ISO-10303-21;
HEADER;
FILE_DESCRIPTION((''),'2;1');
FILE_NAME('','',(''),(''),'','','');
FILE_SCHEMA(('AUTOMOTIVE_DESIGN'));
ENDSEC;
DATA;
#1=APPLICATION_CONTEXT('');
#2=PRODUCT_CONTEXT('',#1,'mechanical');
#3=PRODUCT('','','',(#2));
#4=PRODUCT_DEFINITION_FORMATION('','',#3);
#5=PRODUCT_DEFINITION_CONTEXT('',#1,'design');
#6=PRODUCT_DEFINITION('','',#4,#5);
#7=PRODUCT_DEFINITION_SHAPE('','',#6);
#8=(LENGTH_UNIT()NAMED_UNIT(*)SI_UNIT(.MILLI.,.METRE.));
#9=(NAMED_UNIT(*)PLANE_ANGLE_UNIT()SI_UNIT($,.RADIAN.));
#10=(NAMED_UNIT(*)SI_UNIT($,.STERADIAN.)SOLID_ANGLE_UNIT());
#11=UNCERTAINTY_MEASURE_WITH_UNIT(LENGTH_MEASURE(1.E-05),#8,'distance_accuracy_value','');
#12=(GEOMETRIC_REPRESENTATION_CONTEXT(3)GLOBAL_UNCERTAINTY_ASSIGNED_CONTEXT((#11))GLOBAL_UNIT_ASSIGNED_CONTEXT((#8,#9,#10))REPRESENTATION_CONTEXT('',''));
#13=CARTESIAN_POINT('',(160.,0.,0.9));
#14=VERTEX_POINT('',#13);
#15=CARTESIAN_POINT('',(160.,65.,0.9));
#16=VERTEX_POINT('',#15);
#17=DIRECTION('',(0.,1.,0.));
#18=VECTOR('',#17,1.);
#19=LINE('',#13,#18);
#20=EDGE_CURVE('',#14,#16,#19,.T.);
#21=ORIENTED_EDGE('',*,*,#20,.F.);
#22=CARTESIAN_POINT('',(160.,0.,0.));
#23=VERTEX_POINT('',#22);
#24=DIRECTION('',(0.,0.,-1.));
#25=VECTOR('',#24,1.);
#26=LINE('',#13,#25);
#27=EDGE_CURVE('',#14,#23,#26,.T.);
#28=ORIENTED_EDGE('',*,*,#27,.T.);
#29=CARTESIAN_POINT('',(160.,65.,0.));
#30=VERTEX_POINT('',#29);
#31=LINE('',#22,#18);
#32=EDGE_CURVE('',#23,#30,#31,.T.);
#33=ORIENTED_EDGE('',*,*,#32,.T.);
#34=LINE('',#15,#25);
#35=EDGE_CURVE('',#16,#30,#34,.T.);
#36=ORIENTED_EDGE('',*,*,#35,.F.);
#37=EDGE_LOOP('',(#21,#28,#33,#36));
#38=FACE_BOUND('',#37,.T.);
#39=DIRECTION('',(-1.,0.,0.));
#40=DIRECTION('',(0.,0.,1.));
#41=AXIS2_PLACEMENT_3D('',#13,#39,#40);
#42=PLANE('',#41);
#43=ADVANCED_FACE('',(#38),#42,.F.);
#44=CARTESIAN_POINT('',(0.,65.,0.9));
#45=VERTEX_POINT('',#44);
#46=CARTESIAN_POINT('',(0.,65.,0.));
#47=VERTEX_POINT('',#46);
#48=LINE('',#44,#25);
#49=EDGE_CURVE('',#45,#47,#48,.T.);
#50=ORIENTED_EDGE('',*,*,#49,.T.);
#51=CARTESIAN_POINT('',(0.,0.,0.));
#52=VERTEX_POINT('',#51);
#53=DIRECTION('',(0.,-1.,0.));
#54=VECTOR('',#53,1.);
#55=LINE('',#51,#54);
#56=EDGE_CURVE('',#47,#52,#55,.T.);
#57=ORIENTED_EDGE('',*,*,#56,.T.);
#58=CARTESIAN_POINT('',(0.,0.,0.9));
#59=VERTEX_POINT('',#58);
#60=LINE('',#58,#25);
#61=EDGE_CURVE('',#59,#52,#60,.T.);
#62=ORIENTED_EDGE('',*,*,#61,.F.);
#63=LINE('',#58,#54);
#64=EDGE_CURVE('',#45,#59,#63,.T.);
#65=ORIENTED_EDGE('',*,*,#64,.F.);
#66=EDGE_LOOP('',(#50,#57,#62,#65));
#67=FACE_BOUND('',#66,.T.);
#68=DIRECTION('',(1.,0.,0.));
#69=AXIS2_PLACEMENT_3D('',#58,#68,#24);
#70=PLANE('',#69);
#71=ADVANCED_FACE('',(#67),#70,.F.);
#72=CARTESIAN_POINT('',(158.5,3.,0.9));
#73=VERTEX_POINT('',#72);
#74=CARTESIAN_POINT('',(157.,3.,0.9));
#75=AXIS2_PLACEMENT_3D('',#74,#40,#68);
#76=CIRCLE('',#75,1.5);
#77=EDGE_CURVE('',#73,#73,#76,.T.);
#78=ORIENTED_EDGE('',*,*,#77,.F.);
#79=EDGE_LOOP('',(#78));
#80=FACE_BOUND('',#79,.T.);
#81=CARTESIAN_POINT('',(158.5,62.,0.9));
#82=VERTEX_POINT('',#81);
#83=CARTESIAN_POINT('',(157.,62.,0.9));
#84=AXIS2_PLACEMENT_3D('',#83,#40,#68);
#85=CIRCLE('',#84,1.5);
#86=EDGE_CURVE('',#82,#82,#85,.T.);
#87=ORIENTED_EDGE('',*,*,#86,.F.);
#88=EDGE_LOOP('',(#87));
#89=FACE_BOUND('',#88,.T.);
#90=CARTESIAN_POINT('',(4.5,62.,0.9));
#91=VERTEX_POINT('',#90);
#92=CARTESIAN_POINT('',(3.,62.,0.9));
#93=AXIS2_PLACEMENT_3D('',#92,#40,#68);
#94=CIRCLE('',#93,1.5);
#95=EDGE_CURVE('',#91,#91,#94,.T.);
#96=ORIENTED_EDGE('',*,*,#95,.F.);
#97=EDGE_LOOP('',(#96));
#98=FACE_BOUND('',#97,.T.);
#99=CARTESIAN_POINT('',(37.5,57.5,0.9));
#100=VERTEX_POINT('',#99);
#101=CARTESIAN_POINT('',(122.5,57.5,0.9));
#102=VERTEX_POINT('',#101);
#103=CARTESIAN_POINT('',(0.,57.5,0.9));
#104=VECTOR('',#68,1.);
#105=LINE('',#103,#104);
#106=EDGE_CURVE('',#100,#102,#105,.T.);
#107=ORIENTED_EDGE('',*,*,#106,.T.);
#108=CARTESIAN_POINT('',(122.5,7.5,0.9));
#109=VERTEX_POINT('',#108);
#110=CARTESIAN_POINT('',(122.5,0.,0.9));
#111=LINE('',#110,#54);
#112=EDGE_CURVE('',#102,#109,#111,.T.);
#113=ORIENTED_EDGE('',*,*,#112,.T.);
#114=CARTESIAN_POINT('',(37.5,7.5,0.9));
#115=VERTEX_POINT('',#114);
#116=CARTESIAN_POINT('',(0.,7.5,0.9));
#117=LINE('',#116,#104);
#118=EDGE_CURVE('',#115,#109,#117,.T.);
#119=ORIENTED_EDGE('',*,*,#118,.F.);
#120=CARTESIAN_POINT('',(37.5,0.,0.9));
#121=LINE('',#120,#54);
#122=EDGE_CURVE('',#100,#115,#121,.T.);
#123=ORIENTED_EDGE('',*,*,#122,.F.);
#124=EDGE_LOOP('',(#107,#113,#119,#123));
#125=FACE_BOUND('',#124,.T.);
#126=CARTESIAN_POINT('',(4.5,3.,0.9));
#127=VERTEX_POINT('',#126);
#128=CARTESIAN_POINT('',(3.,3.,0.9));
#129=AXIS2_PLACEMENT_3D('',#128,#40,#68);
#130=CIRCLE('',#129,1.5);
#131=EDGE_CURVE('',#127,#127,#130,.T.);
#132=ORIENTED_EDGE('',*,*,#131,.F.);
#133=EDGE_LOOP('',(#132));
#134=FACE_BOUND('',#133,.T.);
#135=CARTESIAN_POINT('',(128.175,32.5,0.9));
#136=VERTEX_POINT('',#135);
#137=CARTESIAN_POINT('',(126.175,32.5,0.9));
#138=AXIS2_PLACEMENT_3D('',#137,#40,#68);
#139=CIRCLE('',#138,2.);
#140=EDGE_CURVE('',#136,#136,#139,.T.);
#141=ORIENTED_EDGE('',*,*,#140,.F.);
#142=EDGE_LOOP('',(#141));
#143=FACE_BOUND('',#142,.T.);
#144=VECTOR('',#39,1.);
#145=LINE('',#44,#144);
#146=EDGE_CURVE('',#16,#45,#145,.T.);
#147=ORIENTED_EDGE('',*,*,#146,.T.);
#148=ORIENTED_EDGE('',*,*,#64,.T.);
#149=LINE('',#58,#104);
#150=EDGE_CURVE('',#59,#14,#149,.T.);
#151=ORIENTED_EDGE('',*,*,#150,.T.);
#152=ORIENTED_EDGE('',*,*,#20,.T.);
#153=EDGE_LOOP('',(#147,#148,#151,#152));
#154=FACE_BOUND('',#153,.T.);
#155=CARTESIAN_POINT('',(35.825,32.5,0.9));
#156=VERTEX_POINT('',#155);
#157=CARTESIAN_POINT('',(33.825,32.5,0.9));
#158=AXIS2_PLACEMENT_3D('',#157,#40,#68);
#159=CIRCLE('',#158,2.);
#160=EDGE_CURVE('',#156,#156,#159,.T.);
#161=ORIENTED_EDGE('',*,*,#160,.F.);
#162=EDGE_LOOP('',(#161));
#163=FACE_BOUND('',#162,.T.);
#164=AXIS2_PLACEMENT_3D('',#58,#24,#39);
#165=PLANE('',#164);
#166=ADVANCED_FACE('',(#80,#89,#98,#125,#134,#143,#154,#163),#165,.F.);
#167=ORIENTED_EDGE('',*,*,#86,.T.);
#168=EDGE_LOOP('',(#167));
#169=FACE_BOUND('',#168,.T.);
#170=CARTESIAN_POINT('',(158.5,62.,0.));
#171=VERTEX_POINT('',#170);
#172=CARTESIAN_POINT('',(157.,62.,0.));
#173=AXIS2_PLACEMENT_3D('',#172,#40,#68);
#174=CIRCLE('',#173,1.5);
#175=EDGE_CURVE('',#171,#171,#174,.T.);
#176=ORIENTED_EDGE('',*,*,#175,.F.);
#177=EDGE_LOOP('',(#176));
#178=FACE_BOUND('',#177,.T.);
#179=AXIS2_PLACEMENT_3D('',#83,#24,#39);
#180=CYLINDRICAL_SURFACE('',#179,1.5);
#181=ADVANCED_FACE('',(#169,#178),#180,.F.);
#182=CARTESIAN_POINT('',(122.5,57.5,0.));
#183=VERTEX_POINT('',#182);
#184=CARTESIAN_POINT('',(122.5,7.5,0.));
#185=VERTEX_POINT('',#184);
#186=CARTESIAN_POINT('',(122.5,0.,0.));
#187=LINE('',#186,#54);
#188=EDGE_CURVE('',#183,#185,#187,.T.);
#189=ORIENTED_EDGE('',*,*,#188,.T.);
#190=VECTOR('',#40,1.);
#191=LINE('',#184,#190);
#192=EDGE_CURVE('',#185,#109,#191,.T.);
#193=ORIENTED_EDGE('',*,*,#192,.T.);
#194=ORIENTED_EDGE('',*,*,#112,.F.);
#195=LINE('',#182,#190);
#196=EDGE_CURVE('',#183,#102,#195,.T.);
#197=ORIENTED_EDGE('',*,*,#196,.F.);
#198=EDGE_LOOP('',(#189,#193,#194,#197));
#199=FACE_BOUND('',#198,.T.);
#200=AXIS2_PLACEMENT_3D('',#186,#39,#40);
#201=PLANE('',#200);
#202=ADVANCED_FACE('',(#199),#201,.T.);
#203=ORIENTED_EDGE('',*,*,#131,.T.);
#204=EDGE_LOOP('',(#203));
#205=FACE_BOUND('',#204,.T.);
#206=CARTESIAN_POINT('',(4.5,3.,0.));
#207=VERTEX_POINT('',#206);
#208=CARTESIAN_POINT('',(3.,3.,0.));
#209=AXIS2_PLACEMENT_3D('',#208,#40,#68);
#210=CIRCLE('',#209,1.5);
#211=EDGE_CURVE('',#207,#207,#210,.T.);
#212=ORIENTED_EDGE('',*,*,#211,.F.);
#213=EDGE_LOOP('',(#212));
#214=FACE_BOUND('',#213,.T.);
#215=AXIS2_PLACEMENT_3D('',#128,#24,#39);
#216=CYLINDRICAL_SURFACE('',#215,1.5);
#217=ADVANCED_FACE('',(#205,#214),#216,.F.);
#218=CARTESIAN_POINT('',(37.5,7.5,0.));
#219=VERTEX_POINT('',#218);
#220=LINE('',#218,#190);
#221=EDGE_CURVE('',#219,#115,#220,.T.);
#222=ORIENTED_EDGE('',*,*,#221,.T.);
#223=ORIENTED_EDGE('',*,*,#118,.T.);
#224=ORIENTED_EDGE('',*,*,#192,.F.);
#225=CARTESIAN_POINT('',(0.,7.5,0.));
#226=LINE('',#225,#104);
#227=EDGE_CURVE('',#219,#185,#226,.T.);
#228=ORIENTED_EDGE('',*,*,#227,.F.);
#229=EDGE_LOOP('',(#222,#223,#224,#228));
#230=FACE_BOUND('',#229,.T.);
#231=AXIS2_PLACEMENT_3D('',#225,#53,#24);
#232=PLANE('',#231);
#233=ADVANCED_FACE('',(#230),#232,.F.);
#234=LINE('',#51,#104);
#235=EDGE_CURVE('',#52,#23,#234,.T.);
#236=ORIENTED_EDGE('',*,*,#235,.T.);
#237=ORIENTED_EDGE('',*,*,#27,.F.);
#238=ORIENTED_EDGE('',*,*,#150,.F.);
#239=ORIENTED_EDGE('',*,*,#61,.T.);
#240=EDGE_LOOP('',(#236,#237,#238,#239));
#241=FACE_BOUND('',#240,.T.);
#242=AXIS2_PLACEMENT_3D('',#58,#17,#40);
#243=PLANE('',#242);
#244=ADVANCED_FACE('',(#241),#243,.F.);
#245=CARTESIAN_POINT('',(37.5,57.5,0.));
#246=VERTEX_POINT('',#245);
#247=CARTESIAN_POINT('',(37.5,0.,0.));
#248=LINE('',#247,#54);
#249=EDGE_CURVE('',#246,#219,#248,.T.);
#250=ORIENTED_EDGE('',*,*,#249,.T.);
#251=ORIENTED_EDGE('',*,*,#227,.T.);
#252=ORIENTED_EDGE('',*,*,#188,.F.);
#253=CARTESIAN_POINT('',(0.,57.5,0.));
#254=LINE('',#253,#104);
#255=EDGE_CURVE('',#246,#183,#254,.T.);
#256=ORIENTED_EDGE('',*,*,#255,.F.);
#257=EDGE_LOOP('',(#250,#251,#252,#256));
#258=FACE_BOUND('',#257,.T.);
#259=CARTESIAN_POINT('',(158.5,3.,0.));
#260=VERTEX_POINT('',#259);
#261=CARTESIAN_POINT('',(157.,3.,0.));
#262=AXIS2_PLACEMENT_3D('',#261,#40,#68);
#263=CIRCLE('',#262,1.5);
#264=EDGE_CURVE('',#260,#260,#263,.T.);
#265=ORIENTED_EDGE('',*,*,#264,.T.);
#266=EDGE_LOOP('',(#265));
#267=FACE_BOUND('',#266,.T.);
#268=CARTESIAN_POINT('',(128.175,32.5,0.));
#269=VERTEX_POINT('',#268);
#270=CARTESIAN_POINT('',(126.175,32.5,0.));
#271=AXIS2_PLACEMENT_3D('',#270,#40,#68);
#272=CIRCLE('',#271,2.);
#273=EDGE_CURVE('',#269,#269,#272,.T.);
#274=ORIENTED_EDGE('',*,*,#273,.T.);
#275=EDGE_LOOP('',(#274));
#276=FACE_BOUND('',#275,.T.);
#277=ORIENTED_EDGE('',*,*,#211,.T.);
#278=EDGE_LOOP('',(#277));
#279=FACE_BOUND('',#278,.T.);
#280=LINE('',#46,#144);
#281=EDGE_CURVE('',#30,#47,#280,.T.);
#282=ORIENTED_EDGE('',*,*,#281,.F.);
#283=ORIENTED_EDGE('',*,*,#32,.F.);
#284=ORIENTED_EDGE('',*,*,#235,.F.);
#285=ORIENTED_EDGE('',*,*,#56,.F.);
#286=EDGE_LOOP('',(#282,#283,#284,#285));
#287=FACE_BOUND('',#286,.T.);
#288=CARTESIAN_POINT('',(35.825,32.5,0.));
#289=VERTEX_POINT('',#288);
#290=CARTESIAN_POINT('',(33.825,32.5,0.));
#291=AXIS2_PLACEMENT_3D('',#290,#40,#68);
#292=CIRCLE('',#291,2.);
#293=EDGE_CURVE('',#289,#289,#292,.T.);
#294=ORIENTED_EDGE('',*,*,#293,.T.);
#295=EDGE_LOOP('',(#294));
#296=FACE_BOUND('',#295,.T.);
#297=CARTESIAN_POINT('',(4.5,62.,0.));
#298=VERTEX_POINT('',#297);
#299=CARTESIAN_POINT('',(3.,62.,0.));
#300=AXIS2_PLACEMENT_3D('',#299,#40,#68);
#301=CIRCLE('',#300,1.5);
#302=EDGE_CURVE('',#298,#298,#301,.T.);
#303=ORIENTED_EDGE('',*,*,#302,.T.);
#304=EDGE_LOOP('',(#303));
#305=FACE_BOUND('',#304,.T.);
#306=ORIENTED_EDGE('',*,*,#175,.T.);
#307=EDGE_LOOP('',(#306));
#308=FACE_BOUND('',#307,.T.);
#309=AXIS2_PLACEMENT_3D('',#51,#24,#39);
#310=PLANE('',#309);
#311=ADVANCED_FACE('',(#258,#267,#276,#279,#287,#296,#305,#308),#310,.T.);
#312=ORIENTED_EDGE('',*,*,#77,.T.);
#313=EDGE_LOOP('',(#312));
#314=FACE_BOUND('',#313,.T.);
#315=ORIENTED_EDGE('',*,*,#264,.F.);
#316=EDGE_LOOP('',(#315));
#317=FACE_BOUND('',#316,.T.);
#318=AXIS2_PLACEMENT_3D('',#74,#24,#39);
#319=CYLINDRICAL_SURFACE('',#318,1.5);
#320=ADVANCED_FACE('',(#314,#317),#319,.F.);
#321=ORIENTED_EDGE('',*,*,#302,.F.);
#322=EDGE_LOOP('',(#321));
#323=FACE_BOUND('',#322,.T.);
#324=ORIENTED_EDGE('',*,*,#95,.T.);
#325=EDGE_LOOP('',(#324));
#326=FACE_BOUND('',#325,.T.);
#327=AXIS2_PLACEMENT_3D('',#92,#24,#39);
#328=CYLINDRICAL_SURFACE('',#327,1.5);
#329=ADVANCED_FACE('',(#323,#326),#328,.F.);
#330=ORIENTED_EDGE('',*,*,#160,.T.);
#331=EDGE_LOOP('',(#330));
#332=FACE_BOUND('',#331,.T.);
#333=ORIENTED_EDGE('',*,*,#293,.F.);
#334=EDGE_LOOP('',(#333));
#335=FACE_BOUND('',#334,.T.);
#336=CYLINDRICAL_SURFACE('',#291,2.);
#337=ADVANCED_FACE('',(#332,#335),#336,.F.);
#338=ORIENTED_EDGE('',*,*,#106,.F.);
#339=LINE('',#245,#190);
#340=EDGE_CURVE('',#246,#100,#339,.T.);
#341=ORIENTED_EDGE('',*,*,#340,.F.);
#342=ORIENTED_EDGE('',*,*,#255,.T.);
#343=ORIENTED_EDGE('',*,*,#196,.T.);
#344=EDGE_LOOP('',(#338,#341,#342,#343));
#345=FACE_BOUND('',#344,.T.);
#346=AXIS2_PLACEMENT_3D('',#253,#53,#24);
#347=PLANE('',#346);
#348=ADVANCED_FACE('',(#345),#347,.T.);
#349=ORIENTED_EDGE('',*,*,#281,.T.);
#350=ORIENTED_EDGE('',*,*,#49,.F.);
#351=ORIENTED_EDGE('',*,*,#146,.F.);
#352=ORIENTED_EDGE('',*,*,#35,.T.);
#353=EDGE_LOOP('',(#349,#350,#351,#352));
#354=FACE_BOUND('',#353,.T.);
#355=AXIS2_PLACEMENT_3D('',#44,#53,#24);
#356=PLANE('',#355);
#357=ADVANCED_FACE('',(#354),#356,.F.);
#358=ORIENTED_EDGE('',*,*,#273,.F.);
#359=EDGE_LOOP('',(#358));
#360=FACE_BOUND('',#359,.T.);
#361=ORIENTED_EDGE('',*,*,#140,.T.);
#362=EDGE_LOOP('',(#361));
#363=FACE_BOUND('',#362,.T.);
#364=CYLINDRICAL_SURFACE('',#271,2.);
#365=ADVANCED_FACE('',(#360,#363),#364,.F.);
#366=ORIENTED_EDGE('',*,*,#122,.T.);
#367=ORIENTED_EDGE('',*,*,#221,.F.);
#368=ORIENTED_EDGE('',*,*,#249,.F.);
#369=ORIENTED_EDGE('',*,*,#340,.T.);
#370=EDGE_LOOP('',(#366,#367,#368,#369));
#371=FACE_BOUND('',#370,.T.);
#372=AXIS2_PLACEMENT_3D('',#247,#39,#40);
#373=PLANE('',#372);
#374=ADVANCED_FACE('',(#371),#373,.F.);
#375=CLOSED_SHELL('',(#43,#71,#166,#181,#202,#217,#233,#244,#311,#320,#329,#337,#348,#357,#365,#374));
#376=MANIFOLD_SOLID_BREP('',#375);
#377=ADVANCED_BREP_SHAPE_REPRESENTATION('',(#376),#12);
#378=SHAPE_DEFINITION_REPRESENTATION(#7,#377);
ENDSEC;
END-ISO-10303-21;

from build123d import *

# Parameters (mm, degrees)
ESQUISSE1_W             = 160
ESQUISSE1_H             = 65
ESQUISSE1_R             = 1.5
BOSS_EXTRU_1_DEPTH      = 0.9
ESQUISSE2_R             = 2
ESQUISSE2_W             = 85
ESQUISSE2_H             = 50
ENL_V_MAT_EXTRU_1_DEPTH = 0.9


with BuildPart() as part:
    # Esquisse1 → Boss.-Extru.1 (new body)
    with BuildSketch(Plane.XY):
        with Locations((80, 32.5)):
            Rectangle(ESQUISSE1_W, ESQUISSE1_H)
        with Locations((3, 62)):
            Circle(ESQUISSE1_R, mode=Mode.SUBTRACT)
        with Locations((3, 3)):
            Circle(ESQUISSE1_R, mode=Mode.SUBTRACT)
        with Locations((157, 3)):
            Circle(ESQUISSE1_R, mode=Mode.SUBTRACT)
        with Locations((157, 62)):
            Circle(ESQUISSE1_R, mode=Mode.SUBTRACT)
    extrude(amount=BOSS_EXTRU_1_DEPTH)

    # Esquisse2 → Enlèv. mat.-Extru.1 (cut)
    with BuildSketch(Plane.XY.offset(0.9)):
        with Locations((33.825, 32.5)):
            Circle(ESQUISSE2_R)
        with Locations((126.175, 32.5)):
            Circle(ESQUISSE2_R)
        with Locations((80, 32.5)):
            Rectangle(ESQUISSE2_W, ESQUISSE2_H)
    extrude(amount=-ENL_V_MAT_EXTRU_1_DEPTH, mode=Mode.SUBTRACT)


solid = part.part
